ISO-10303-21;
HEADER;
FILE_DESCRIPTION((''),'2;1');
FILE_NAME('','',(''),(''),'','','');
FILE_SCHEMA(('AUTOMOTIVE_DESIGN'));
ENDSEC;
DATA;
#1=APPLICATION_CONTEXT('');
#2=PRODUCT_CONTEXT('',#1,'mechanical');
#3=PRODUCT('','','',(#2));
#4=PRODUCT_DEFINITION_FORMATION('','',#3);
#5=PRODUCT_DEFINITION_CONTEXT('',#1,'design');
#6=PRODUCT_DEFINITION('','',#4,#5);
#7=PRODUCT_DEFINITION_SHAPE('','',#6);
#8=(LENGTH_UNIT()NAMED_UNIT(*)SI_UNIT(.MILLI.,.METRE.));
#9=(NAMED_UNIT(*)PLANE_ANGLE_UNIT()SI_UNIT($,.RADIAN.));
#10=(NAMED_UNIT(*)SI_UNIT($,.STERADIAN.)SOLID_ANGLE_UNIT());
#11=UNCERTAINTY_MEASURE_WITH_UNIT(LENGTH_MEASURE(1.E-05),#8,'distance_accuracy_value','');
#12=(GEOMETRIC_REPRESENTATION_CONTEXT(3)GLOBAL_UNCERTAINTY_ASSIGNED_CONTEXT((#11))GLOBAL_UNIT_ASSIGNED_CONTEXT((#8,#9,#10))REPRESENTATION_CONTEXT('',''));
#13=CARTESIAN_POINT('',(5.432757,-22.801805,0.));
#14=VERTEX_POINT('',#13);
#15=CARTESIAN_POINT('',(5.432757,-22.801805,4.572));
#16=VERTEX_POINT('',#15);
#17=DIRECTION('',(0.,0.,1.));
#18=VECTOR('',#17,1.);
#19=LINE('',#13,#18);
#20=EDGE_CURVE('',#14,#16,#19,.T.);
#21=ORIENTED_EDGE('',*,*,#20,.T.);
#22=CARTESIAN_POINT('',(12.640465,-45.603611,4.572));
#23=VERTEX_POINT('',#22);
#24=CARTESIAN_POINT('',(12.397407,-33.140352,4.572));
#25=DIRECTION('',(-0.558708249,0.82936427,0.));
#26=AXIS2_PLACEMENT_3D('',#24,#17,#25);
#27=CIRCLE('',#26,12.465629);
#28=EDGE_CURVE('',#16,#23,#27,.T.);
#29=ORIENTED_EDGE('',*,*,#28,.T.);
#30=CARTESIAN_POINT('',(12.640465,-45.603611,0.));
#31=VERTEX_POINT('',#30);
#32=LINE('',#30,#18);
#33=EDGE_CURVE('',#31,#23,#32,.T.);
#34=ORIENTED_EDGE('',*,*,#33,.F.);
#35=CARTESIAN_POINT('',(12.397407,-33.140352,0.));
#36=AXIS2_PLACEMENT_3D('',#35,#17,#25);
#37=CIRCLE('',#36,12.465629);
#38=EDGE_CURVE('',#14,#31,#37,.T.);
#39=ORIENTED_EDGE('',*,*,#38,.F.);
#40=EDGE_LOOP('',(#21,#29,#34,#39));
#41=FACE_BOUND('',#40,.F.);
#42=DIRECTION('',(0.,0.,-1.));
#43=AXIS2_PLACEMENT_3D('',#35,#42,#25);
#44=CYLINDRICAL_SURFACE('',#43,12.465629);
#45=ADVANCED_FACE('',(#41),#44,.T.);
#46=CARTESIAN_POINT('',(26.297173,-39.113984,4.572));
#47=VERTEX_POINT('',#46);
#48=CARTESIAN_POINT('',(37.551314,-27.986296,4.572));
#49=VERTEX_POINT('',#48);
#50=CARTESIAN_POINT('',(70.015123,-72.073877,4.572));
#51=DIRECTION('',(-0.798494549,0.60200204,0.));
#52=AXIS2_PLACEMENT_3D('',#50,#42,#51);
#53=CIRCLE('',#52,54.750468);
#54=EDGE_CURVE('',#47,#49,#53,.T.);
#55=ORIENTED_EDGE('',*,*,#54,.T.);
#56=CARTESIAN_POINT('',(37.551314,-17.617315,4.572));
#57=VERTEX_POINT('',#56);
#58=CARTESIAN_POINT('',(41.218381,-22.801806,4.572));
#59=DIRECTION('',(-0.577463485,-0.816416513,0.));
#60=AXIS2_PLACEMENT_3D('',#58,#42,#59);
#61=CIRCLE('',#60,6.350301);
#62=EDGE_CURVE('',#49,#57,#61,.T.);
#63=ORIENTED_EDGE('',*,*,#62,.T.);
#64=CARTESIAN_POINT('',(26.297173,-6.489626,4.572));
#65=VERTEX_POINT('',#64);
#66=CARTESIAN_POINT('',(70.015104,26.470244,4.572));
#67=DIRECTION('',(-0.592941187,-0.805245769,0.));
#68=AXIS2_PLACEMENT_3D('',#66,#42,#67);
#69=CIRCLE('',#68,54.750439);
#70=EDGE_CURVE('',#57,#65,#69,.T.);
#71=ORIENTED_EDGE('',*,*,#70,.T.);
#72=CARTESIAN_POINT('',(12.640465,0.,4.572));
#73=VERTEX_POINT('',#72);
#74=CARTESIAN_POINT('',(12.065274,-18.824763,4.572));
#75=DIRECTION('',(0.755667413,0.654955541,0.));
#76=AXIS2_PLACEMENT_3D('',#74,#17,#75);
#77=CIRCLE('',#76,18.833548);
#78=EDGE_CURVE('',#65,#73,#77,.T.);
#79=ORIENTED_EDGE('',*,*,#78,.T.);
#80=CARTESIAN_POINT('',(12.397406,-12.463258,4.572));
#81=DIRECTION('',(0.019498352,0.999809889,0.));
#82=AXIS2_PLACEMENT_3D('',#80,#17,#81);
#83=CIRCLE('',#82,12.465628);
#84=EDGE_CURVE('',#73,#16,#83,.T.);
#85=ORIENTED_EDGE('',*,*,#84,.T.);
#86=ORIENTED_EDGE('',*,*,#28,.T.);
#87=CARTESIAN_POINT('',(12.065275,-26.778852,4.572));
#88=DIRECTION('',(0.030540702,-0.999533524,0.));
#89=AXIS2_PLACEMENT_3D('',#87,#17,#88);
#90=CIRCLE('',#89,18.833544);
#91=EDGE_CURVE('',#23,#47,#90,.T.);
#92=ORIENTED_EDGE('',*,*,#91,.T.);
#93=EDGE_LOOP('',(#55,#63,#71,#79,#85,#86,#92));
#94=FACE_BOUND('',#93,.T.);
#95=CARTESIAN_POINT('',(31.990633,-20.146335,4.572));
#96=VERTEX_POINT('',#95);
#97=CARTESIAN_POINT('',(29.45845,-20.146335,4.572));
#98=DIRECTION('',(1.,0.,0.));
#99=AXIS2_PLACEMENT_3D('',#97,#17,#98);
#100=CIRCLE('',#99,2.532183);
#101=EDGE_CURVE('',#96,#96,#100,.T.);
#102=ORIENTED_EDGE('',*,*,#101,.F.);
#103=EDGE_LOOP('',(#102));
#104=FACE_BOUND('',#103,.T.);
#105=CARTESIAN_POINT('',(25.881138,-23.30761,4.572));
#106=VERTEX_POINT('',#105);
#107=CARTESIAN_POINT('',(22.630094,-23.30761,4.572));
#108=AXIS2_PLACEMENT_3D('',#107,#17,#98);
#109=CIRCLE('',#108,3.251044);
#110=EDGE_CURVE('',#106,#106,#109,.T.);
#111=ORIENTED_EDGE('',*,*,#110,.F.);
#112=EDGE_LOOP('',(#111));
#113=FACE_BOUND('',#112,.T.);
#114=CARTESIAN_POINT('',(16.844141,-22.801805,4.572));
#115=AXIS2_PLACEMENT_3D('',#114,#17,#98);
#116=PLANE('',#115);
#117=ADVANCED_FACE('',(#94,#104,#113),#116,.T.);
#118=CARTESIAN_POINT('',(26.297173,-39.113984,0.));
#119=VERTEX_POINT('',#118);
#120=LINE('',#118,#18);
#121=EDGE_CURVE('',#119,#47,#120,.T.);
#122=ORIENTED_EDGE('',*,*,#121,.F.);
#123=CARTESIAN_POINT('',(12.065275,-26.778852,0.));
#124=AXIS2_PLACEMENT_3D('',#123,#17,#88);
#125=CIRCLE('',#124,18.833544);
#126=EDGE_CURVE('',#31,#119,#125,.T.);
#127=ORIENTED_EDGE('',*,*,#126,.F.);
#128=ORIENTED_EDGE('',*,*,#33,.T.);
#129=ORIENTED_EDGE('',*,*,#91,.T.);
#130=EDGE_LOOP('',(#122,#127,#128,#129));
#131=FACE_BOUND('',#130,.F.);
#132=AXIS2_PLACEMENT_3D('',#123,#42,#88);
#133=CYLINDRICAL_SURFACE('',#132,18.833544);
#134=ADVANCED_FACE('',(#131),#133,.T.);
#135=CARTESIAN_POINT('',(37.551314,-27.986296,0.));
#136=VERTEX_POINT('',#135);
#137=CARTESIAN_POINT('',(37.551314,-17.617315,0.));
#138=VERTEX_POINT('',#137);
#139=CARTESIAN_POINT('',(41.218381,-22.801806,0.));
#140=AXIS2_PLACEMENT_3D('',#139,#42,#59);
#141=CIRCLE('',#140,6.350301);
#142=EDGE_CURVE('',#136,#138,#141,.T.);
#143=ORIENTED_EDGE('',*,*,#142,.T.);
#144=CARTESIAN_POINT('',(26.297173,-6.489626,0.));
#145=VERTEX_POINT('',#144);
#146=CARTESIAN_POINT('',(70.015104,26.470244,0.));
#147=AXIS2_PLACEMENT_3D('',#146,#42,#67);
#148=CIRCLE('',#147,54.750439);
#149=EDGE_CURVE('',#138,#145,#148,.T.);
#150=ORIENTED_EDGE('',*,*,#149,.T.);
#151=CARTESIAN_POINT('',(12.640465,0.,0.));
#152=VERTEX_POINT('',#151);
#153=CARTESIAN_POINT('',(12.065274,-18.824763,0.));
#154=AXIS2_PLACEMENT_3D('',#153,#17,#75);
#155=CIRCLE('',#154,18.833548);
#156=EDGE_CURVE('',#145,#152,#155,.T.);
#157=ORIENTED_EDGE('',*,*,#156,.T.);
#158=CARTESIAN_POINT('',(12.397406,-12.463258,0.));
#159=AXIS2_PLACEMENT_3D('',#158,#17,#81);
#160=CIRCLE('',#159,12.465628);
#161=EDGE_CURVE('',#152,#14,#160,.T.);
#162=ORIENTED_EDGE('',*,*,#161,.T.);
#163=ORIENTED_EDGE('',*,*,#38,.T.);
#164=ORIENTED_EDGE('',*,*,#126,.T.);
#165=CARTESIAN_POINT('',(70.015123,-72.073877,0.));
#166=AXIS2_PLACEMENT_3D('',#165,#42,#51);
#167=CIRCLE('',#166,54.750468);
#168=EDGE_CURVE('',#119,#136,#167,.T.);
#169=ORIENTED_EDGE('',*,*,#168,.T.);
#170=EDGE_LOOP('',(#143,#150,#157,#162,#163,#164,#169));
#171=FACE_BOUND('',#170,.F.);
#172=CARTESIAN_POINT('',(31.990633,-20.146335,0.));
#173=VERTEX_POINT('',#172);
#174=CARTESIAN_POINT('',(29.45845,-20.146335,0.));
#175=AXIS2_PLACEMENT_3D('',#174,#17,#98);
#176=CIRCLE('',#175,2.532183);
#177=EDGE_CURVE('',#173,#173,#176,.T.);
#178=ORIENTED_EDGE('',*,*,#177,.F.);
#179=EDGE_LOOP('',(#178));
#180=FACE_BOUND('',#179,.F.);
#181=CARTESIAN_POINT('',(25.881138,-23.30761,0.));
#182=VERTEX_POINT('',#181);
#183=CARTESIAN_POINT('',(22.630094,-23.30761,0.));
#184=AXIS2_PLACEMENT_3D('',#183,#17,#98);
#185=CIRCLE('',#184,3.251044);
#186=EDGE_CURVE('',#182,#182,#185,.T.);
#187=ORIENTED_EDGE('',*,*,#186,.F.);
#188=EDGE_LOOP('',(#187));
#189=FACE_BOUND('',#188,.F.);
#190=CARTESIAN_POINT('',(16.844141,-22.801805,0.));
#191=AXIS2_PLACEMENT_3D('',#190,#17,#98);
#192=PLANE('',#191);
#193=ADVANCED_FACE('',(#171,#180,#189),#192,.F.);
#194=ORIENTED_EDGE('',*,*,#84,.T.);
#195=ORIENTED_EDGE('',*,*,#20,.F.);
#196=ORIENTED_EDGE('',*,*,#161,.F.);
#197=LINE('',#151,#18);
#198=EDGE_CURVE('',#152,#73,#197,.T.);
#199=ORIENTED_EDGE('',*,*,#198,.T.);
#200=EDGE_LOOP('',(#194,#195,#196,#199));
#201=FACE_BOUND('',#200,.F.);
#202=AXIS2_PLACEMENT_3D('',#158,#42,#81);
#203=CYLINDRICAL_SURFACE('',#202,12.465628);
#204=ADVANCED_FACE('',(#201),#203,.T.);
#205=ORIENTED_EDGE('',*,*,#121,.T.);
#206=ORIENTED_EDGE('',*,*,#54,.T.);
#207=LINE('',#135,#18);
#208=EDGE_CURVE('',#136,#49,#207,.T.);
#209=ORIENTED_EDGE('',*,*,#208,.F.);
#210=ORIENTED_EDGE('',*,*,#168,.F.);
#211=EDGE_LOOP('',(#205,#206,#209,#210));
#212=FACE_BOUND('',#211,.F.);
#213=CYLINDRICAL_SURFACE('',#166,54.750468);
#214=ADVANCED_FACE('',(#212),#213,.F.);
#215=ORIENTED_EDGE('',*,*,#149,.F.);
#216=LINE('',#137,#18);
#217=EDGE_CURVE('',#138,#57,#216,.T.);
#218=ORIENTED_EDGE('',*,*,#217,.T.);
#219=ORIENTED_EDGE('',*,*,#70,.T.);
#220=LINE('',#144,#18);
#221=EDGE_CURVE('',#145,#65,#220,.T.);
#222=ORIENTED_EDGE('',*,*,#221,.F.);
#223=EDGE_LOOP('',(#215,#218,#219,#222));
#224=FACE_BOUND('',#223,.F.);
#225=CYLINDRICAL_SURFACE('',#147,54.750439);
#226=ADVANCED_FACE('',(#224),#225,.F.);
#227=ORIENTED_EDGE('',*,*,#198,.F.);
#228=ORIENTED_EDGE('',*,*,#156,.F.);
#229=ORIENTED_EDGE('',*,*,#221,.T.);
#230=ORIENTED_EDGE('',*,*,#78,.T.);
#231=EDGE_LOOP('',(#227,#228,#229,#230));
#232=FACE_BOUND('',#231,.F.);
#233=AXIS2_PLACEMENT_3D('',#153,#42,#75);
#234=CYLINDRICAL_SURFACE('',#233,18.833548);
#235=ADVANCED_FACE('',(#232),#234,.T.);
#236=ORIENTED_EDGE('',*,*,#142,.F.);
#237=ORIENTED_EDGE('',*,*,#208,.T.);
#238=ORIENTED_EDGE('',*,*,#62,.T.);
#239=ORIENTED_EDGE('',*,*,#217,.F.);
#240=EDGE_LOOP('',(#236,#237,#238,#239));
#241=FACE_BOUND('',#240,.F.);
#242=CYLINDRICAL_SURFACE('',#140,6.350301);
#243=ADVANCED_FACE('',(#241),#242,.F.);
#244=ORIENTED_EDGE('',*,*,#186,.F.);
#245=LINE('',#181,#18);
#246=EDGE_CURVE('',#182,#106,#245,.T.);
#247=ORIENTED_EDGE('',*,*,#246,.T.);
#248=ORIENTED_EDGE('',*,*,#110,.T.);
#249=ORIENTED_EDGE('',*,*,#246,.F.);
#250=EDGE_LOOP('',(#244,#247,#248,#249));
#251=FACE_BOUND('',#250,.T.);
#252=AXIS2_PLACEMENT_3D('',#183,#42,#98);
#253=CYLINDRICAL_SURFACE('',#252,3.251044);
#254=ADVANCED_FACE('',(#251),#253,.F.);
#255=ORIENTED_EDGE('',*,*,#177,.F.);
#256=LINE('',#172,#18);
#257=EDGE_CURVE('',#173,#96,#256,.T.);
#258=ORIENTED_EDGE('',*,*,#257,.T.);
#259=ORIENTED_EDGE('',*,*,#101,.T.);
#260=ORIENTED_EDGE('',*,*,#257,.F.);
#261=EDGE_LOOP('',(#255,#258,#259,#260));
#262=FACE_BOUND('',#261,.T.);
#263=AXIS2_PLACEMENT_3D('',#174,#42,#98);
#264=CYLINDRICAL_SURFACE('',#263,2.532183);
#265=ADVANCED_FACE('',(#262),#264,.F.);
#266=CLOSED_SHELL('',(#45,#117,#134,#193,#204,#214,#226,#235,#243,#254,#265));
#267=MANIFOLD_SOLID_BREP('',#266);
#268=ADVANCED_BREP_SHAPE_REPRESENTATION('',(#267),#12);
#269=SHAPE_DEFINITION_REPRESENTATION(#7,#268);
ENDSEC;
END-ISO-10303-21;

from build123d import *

# Parameters (mm, degrees)
F0_R     = 3.251044
F0_R_2   = 2.532183
F1_DEPTH = 4.572


with BuildPart() as f1:
    # F0 (on Top) → F1 (new body)
    with BuildSketch(Plane.XY):
        with BuildLine():
            ThreePointArc((26.297173, -6.489626), (20.14867, -1.814141), (12.640465, 0))
            ThreePointArc((12.640465, 0), (0.511468, -8.706083), (5.432757, -22.801805))
            ThreePointArc((5.432757, -22.801805), (0.511468, -36.897527), (12.640465, -45.603611))
            ThreePointArc((12.640465, -45.603611), (20.14867, -43.78947), (26.297173, -39.113984))
            ThreePointArc((26.297173, -39.113984), (31.520039, -33.141343), (37.551314, -27.986296))
            ThreePointArc((37.551314, -27.986296), (34.86808, -22.801805), (37.551314, -17.617315))
            ThreePointArc((37.551314, -17.617315), (31.520039, -12.462268), (26.297173, -6.489626))
        make_face()
        with Locations((22.630094, -23.30761)):
            Circle(F0_R, mode=Mode.SUBTRACT)
        with Locations((29.45845, -20.146335)):
            Circle(F0_R_2, mode=Mode.SUBTRACT)
    extrude(amount=F1_DEPTH)


solid = f1.part
